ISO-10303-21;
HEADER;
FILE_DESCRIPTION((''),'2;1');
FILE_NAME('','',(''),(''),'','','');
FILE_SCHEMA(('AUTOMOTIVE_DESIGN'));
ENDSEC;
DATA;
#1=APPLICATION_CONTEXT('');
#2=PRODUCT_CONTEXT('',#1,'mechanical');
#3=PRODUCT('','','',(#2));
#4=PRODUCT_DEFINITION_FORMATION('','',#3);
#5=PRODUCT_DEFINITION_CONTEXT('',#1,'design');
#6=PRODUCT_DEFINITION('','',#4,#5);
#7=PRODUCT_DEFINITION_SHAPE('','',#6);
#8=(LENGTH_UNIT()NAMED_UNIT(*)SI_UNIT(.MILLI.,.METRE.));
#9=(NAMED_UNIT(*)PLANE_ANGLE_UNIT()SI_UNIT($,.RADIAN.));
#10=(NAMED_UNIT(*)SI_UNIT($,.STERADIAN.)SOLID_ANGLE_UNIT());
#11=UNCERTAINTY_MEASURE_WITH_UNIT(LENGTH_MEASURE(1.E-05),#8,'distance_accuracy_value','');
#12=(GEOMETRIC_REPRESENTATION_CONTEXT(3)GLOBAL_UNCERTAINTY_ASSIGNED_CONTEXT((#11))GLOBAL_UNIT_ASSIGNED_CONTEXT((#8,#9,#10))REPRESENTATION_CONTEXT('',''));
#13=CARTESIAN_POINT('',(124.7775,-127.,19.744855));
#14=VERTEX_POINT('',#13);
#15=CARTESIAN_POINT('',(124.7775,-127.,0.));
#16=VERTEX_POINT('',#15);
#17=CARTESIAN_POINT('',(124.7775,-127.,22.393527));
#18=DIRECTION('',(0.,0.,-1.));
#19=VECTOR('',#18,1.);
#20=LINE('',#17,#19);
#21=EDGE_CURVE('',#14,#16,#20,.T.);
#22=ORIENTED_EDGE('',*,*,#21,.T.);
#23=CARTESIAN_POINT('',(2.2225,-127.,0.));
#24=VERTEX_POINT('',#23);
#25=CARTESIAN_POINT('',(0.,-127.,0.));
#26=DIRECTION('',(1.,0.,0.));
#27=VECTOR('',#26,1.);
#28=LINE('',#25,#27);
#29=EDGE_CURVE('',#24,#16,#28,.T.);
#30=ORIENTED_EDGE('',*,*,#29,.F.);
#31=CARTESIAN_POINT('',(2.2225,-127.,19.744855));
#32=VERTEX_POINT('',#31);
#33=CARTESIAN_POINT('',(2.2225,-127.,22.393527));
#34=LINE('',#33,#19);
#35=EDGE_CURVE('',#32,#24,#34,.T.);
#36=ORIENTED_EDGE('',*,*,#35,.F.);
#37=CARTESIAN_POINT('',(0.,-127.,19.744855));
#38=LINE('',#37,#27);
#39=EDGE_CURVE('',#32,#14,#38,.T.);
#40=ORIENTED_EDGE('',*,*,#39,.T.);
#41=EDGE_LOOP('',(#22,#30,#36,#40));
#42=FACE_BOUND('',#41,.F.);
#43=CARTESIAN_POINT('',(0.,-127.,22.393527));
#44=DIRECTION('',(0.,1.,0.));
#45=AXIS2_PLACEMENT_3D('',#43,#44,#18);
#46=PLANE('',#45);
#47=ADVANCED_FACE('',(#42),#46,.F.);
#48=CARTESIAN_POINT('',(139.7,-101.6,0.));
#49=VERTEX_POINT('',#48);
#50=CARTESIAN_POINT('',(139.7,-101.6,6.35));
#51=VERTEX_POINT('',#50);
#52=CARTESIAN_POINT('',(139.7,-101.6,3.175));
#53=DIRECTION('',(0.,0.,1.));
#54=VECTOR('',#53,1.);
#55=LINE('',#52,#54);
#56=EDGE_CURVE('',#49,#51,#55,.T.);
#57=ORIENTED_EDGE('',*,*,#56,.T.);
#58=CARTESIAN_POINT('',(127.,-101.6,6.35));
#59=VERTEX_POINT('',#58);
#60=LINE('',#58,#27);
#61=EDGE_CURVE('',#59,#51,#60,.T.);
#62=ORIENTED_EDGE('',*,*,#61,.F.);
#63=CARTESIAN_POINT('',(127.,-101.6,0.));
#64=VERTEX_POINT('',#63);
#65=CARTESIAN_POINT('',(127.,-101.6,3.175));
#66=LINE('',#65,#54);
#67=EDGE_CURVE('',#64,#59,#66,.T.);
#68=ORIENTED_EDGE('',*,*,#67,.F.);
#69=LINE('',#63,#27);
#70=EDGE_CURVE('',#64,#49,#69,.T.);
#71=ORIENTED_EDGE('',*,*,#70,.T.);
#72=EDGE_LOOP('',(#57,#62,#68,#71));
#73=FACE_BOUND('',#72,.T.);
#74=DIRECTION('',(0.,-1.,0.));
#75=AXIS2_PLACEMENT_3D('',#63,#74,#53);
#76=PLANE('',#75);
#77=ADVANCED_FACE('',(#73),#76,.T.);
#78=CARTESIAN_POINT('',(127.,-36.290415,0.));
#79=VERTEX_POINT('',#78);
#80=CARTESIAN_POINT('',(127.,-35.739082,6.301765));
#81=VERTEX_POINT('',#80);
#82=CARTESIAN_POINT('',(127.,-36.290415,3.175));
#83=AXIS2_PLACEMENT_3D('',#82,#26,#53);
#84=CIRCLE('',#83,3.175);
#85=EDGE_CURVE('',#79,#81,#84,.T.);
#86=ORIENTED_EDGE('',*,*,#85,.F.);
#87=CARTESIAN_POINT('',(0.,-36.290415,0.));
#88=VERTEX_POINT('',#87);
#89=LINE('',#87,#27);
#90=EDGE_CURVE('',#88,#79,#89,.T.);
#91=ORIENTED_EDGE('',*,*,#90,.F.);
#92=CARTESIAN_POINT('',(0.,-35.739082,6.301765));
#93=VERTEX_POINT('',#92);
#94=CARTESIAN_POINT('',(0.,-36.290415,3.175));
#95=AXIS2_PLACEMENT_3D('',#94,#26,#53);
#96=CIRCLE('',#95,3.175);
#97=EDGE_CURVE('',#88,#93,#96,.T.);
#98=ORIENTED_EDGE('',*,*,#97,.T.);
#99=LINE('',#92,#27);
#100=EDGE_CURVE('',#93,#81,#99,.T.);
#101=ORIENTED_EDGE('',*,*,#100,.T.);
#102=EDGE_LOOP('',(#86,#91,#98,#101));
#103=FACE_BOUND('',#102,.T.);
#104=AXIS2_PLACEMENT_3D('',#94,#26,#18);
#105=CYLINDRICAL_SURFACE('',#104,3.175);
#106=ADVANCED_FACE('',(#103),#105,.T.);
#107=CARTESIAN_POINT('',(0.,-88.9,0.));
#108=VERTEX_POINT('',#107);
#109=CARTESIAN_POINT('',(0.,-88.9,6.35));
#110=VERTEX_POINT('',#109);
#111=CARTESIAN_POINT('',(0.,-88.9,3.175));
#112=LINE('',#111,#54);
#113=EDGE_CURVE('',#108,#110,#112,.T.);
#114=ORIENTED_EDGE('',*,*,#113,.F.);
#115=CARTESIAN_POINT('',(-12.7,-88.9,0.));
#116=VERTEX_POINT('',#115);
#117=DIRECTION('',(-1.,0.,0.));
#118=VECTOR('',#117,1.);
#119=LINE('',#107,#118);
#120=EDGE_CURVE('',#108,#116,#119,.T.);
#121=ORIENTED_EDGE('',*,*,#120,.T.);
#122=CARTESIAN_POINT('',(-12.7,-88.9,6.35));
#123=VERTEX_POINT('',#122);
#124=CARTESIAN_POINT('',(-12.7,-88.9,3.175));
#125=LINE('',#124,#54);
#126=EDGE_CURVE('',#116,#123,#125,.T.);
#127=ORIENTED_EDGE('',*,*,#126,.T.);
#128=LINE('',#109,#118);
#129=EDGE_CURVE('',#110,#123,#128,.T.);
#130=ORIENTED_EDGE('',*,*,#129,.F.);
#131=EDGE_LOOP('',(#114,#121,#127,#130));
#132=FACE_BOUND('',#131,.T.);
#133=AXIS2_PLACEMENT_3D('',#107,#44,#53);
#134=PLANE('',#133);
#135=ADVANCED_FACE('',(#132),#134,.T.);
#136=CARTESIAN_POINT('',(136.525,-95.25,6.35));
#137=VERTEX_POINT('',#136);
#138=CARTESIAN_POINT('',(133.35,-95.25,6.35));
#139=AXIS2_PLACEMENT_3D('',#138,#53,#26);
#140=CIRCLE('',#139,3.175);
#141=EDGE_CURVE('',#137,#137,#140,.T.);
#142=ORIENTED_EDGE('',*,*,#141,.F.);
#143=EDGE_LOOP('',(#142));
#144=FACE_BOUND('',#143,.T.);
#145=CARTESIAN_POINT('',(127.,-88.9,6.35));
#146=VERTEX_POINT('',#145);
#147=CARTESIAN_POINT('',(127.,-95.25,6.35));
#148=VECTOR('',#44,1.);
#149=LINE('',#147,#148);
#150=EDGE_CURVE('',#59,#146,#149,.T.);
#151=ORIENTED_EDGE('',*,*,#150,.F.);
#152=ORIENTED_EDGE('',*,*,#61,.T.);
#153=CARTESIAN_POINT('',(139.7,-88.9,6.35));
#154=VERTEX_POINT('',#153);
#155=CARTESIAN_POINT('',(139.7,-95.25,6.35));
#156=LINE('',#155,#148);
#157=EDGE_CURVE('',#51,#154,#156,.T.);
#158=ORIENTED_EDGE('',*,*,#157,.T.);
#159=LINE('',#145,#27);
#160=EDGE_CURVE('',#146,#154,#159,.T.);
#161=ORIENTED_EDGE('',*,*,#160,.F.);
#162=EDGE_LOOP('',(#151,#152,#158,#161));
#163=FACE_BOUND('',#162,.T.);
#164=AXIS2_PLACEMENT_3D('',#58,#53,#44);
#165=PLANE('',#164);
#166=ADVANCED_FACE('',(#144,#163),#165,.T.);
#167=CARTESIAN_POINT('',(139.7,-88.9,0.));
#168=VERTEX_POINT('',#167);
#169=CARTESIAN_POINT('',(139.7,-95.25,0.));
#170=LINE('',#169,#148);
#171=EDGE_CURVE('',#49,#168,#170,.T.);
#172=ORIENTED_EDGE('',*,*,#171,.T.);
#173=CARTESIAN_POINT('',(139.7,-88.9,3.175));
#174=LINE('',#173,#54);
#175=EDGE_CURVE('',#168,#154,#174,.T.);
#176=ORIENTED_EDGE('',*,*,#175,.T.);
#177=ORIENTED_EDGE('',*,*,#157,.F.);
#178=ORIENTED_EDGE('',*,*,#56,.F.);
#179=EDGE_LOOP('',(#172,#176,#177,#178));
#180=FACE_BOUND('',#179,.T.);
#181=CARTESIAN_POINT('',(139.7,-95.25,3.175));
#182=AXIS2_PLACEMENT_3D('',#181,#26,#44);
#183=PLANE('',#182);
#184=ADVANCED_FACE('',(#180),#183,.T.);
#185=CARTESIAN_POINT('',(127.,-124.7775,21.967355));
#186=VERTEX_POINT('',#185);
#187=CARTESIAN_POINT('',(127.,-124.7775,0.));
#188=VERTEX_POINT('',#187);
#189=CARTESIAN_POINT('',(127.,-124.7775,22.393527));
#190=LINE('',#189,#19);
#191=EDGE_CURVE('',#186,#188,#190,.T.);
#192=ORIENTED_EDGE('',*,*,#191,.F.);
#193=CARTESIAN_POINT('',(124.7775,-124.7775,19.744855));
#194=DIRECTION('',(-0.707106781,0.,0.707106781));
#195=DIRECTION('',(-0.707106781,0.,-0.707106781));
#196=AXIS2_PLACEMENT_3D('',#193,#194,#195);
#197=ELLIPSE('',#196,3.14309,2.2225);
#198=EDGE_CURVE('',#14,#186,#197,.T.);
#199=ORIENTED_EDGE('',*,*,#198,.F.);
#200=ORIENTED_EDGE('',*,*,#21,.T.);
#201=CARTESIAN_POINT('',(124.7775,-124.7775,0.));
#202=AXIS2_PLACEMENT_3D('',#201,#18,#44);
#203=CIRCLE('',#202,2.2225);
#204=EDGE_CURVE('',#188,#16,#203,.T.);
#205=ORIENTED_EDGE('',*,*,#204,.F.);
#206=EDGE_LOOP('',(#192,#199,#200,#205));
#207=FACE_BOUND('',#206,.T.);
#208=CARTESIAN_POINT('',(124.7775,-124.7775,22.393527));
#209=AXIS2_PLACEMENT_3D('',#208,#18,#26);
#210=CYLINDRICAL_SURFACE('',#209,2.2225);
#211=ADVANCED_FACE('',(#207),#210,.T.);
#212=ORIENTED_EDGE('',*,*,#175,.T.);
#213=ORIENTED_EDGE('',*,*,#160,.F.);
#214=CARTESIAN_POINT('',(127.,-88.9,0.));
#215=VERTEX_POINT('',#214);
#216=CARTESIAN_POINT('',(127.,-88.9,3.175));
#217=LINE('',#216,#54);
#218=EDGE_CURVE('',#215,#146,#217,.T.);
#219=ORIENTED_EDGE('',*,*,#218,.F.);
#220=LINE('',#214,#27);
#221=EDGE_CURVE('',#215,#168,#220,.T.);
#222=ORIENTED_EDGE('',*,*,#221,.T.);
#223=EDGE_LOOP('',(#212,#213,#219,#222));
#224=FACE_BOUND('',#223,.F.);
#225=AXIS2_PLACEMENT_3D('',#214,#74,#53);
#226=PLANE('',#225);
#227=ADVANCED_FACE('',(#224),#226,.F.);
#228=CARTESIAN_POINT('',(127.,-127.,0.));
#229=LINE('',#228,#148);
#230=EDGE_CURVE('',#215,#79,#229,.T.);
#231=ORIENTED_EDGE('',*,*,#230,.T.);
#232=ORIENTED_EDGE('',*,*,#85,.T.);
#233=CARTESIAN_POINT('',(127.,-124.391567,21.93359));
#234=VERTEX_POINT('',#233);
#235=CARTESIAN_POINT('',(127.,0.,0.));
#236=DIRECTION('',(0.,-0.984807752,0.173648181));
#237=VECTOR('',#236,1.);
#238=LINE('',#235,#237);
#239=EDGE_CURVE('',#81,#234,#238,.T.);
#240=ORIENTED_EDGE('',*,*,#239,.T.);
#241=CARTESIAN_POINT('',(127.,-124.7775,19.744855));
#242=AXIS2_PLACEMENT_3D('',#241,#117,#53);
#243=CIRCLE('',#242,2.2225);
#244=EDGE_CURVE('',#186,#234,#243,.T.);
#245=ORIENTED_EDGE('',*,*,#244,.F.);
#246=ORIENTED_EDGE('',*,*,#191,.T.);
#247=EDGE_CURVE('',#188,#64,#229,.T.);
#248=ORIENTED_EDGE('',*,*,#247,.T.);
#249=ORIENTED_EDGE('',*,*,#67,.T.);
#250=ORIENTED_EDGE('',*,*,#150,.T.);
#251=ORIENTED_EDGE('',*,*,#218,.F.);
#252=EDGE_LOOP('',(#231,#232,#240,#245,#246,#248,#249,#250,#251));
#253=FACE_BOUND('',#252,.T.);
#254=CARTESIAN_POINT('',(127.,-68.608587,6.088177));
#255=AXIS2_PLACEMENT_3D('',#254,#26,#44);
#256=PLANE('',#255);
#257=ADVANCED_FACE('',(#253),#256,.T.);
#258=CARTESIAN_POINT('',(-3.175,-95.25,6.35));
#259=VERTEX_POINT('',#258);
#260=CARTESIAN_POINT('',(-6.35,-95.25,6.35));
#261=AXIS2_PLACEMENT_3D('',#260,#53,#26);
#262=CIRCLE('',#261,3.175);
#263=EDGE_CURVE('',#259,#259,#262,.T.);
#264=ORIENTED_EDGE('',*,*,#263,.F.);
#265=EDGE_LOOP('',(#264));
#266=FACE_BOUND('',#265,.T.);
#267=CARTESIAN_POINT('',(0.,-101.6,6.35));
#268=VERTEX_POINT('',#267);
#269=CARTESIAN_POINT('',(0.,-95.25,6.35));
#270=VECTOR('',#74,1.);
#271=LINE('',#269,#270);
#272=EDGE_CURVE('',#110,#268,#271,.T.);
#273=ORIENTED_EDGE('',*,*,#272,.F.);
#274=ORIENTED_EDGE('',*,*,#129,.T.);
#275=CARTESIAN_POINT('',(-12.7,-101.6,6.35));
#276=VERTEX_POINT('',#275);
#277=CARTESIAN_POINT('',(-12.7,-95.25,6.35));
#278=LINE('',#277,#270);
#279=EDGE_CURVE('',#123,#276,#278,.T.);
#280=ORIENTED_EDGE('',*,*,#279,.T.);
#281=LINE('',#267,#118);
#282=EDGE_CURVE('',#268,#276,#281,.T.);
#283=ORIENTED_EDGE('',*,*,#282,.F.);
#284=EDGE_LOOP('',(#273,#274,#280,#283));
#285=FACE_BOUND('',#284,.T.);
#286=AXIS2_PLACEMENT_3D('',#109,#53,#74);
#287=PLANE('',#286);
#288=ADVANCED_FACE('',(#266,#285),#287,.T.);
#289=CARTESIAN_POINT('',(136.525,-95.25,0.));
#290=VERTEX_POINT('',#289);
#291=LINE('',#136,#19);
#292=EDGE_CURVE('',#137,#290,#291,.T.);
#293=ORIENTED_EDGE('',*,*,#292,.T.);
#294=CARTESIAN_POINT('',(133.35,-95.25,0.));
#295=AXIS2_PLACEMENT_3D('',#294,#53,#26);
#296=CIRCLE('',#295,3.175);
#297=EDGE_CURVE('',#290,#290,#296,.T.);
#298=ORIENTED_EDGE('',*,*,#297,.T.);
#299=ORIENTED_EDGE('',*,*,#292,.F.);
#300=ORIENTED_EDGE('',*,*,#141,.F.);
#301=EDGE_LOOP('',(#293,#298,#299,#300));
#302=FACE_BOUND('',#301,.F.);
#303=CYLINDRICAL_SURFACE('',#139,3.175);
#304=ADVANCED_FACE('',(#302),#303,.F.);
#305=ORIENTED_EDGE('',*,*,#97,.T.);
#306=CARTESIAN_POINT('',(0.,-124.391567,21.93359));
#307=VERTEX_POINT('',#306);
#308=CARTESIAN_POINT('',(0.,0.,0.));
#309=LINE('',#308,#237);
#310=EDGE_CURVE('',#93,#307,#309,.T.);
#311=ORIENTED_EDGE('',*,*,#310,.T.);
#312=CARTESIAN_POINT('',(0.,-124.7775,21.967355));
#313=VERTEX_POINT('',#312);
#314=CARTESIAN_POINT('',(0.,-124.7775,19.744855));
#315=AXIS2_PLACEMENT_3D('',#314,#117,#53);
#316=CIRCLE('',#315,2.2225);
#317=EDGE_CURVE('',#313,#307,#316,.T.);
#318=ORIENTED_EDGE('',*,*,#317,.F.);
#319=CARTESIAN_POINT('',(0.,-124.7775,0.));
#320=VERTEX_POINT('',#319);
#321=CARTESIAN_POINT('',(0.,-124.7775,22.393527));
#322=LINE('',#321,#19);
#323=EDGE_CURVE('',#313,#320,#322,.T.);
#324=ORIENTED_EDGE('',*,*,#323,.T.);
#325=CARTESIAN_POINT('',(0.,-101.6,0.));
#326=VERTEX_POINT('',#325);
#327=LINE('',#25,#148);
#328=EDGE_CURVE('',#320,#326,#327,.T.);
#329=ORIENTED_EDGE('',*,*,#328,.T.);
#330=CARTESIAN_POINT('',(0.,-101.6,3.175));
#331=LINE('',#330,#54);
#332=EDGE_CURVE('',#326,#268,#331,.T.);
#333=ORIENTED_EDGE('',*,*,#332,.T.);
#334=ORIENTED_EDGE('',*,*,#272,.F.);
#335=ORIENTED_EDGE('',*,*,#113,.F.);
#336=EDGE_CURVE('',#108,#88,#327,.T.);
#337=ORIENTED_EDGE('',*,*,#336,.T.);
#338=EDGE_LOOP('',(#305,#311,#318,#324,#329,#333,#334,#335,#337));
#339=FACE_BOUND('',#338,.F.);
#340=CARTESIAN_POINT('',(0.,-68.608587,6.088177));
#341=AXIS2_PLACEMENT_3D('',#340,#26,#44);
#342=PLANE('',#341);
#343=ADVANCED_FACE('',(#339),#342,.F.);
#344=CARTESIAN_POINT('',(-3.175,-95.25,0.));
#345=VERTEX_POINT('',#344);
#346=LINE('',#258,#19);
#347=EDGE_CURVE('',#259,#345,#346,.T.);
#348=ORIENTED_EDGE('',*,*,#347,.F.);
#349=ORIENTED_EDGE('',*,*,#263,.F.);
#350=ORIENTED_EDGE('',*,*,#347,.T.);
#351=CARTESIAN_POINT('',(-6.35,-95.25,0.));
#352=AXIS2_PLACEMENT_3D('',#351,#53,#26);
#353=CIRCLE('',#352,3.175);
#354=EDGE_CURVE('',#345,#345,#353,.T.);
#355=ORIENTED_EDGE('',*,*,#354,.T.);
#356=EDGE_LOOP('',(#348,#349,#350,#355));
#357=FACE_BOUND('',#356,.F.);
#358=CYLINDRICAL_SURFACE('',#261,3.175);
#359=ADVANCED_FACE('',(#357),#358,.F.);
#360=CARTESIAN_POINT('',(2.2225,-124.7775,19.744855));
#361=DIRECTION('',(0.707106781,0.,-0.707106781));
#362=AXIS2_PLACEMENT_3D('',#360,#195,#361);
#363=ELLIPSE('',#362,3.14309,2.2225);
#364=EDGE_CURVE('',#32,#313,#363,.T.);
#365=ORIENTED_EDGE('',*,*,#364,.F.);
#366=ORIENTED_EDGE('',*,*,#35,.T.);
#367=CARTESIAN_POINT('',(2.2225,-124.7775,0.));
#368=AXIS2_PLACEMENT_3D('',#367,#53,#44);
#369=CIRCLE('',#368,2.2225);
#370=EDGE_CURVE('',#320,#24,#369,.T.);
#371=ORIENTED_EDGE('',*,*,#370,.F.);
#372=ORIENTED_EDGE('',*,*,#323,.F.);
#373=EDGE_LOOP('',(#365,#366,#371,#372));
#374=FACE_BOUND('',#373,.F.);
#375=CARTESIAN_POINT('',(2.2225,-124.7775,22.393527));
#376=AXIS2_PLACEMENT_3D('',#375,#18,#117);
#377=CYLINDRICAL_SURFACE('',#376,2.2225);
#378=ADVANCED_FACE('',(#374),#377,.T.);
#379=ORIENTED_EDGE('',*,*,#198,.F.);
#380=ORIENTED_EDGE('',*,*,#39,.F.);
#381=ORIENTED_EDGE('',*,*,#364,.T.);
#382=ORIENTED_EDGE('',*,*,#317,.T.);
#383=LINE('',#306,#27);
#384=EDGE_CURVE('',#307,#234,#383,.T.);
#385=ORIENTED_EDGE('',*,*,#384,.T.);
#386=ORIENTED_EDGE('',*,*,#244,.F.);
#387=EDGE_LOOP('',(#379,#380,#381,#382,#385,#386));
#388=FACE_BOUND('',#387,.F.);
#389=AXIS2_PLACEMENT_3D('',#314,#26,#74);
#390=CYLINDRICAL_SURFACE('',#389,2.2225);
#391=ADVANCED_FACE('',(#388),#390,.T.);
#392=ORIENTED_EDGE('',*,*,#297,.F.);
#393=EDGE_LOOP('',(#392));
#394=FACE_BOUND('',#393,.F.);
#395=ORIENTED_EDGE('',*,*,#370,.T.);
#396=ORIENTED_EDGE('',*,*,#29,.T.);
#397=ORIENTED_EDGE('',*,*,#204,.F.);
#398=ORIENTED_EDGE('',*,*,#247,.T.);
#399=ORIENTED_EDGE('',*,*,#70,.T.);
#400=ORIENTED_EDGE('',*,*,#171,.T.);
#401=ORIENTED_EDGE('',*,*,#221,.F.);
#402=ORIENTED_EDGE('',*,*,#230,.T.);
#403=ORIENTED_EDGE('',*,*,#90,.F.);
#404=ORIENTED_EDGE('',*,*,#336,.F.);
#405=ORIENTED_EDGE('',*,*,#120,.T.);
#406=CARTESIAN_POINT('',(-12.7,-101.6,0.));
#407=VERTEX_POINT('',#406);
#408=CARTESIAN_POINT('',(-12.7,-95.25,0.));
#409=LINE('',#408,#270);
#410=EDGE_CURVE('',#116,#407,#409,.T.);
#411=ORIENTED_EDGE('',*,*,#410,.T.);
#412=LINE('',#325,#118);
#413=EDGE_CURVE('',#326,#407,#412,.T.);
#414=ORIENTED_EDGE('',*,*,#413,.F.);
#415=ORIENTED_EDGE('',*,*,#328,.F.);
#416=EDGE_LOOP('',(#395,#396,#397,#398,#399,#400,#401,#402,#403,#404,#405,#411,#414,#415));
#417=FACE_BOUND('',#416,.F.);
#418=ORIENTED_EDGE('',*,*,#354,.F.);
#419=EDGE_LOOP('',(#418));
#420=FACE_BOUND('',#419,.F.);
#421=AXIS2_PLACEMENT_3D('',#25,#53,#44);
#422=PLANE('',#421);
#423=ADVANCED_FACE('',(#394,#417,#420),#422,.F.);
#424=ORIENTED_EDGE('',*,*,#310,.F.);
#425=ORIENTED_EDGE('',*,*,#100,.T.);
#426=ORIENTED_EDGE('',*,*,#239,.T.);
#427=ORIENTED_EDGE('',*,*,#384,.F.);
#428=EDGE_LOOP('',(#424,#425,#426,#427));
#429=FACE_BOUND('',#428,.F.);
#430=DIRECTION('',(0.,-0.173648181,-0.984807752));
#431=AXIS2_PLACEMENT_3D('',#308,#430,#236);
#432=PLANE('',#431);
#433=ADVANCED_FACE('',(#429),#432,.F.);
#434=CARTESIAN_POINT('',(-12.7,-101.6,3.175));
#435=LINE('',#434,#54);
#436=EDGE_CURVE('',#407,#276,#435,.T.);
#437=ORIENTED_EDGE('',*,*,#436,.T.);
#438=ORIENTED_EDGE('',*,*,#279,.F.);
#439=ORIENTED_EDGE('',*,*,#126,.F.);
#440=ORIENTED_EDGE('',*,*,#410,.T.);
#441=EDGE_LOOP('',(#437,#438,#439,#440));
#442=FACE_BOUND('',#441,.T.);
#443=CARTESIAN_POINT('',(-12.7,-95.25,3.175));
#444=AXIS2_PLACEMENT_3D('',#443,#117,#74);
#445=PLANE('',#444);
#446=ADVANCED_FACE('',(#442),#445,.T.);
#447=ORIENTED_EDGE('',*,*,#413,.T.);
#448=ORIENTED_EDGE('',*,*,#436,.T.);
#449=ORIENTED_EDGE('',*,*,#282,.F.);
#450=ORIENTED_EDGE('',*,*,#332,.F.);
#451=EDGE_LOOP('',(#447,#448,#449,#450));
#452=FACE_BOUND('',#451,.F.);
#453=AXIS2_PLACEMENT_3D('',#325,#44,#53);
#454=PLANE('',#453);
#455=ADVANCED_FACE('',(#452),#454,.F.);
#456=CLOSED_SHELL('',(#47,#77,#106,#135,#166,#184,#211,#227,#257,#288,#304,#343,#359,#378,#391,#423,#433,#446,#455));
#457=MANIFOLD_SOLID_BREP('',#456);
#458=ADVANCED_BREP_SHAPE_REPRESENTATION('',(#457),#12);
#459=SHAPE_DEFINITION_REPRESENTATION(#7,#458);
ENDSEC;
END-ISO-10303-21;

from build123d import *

# Parameters (mm, degrees)
F1_DEPTH = 127
F2_W     = 12.7
F2_H     = 6.35
F3_DEPTH = 12.7
F4_W     = 12.7
F4_H     = 6.35
F5_DEPTH = 12.7
F6_R     = 3.175
F7_DEPTH = 6.351
F8_R     = 3.175
F9_DEPTH = 6.351
F10_R    = 3.175
F11_R    = 2.2225


with BuildPart() as f1:
    # F0 (on Right) → F1 (new body)
    with BuildSketch(Plane.YZ):
        Polygon((-127, 0), (0, 0), (-127, 22.393527), align=None)
    extrude(amount=F1_DEPTH)

    # F2 (on face) → F3 (join)
    with BuildSketch(Plane.YZ.offset(127)):
        with Locations((-95.25, 3.175)):
            Rectangle(F2_W, F2_H)
    extrude(amount=F3_DEPTH)

    # F4 (on face) → F5 (join)
    with BuildSketch(Plane(origin=(0, 0, 0), x_dir=(0, -1, 0), z_dir=(-1, 0, 0))):
        with Locations((95.25, 3.175)):
            Rectangle(F4_W, F4_H)
    extrude(amount=F5_DEPTH)

    # F6 (on face) → F7 (cut, through all)
    with BuildSketch(Plane.XY.offset(6.35)):
        with Locations((-6.35, -95.25)):
            Circle(F6_R)
    extrude(amount=-F7_DEPTH, mode=Mode.SUBTRACT)

    # F8 (on face) → F9 (cut, through all)
    with BuildSketch(Plane.XY.offset(6.35)):
        with Locations((133.35, -95.25)):
            Circle(F8_R)
    extrude(amount=-F9_DEPTH, mode=Mode.SUBTRACT)

    # F10
    f10_edges = [f1.edges().sort_by_distance(p)[0] for p in [
        (63.5, 0, 0),
    ]]
    fillet(f10_edges, radius=F10_R)

    # F11
    f11_edges = [f1.edges().sort_by_distance(p)[0] for p in [
        (63.5, -127, 22.393527),
        (127, -127, 11.196763),
        (0, -127, 11.196763),
    ]]
    fillet(f11_edges, radius=F11_R)


solid = f1.part
